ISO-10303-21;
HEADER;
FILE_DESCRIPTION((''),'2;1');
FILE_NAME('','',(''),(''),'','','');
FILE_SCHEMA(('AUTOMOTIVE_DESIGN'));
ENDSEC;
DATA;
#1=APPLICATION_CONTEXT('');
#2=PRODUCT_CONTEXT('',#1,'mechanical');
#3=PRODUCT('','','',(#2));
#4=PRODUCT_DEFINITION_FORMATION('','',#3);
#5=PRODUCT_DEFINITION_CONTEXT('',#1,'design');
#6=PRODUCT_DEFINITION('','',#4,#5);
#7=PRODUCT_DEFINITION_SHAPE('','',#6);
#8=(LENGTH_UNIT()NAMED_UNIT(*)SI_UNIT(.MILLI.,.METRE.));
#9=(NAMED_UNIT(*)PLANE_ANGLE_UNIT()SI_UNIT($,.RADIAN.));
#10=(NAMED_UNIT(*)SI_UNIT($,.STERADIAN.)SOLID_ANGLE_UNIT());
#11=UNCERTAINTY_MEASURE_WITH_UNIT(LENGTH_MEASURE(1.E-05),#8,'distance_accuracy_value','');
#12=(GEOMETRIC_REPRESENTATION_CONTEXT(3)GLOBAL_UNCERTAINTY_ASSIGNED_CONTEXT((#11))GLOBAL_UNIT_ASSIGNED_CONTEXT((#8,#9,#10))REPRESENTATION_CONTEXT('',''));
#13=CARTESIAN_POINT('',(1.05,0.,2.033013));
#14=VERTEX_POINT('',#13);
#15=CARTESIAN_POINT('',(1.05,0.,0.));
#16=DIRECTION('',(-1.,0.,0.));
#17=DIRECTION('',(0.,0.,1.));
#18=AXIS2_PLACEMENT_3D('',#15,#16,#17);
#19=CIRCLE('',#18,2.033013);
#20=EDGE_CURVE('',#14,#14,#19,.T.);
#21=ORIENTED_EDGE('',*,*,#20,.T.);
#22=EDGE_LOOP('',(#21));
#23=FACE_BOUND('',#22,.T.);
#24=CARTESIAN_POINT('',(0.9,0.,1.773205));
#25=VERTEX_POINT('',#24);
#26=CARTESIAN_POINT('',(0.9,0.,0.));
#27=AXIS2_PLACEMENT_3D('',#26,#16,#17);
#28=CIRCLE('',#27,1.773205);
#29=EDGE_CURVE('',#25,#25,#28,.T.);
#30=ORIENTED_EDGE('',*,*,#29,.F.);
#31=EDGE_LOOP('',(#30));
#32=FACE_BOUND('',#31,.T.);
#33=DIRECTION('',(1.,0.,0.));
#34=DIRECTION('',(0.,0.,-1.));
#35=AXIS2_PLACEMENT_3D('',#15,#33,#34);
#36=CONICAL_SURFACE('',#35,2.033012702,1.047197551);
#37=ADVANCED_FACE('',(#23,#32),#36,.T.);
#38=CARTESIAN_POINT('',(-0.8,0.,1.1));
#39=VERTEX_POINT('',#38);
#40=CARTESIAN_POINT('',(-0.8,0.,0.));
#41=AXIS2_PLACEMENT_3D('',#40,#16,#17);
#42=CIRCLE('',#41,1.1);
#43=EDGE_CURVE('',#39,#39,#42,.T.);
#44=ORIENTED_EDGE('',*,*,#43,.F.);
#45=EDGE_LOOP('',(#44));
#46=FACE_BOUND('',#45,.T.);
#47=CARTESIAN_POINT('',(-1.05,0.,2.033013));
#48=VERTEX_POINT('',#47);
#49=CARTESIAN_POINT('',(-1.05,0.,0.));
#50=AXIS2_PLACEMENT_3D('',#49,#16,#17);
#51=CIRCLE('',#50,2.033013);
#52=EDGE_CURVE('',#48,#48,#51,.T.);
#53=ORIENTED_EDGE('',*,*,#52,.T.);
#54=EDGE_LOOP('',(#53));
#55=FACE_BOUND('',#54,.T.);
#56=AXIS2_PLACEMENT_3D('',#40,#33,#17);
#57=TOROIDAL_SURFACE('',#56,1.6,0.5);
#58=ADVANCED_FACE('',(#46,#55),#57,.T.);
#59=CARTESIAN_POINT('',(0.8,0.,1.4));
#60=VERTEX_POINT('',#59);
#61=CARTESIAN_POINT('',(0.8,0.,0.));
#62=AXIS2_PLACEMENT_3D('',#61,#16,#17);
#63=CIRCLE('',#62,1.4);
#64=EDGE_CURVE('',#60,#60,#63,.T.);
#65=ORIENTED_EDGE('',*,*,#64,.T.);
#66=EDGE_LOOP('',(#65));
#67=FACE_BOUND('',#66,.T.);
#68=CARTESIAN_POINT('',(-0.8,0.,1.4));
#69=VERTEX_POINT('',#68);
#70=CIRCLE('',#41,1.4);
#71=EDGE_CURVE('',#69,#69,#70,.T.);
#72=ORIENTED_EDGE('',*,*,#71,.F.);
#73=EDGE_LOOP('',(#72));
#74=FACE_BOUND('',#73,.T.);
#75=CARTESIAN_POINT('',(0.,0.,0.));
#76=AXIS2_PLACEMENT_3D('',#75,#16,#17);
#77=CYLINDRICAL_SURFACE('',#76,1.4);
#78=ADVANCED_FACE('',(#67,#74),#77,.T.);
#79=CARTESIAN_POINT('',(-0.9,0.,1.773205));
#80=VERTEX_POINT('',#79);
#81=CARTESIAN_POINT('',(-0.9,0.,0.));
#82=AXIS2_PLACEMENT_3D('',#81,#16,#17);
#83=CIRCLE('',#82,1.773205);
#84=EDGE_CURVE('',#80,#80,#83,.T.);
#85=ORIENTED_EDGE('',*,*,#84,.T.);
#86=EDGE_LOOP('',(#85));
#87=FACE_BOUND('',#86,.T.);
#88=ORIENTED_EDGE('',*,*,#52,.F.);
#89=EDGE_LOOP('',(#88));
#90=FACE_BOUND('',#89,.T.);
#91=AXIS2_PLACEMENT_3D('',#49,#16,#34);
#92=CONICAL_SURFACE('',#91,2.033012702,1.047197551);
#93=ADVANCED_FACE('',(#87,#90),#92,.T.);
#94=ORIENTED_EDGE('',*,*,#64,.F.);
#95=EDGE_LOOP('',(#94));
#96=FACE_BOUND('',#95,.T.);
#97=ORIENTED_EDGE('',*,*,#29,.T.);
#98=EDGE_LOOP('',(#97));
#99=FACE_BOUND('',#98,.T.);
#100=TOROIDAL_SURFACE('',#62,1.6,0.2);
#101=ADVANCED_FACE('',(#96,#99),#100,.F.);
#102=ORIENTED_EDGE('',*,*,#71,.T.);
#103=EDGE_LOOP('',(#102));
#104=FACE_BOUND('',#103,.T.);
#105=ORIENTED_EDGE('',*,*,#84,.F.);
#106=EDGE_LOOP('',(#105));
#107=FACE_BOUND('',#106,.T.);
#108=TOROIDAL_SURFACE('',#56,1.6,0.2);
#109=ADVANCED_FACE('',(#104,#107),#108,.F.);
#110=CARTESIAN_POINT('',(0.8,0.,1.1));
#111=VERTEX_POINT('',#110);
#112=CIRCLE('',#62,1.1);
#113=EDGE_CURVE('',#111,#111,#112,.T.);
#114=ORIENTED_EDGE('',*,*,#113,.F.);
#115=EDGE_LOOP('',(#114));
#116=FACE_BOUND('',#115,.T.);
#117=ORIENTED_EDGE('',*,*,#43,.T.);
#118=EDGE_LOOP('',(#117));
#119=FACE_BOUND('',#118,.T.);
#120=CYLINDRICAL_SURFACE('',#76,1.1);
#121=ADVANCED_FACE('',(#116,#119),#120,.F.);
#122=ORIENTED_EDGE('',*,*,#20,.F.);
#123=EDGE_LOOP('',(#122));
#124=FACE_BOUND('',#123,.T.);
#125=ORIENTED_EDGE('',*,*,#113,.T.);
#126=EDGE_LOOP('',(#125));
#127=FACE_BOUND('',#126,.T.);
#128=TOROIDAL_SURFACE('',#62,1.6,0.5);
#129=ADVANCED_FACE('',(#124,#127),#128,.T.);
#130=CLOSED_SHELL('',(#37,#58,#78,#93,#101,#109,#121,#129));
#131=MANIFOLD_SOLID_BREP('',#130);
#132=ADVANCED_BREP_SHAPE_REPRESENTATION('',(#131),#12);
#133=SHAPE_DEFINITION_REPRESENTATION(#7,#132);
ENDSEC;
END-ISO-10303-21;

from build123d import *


with BuildPart() as part:
    # Эскиз1 → Повернуть1 (revolve)
    with BuildSketch(Plane.XY, mode=Mode.PRIVATE) as revolve_1_sk:
        with BuildLine():
            Line((0, 1.1), (0.8, 1.1))
            ThreePointArc((0.8, 1.1), (1.282962913, 1.470590477), (1.05, 2.033012702))
            Line((1.05, 2.033012702), (0.9, 1.773205081))
            ThreePointArc((0.9, 1.773205081), (0.993185165, 1.548236191), (0.8, 1.4))
            Line((0.8, 1.4), (0, 1.4))
            Line((0, 1.4), (0, 1.1))
        make_face()
    revolve_1 = revolve(revolve_1_sk.sketch.rotate(Axis((0, 0, 0), (1, 0, 0)), 90), axis=Axis((0, 0, 0), (1, 0, 0)))

    # Зеркальное отражение1: Повернуть1 across plane
    add(revolve_1.mirror(Plane(origin=(0, 1.1, 0), x_dir=(0, 0, 1), z_dir=(1, 0, 0))))


solid = part.part
